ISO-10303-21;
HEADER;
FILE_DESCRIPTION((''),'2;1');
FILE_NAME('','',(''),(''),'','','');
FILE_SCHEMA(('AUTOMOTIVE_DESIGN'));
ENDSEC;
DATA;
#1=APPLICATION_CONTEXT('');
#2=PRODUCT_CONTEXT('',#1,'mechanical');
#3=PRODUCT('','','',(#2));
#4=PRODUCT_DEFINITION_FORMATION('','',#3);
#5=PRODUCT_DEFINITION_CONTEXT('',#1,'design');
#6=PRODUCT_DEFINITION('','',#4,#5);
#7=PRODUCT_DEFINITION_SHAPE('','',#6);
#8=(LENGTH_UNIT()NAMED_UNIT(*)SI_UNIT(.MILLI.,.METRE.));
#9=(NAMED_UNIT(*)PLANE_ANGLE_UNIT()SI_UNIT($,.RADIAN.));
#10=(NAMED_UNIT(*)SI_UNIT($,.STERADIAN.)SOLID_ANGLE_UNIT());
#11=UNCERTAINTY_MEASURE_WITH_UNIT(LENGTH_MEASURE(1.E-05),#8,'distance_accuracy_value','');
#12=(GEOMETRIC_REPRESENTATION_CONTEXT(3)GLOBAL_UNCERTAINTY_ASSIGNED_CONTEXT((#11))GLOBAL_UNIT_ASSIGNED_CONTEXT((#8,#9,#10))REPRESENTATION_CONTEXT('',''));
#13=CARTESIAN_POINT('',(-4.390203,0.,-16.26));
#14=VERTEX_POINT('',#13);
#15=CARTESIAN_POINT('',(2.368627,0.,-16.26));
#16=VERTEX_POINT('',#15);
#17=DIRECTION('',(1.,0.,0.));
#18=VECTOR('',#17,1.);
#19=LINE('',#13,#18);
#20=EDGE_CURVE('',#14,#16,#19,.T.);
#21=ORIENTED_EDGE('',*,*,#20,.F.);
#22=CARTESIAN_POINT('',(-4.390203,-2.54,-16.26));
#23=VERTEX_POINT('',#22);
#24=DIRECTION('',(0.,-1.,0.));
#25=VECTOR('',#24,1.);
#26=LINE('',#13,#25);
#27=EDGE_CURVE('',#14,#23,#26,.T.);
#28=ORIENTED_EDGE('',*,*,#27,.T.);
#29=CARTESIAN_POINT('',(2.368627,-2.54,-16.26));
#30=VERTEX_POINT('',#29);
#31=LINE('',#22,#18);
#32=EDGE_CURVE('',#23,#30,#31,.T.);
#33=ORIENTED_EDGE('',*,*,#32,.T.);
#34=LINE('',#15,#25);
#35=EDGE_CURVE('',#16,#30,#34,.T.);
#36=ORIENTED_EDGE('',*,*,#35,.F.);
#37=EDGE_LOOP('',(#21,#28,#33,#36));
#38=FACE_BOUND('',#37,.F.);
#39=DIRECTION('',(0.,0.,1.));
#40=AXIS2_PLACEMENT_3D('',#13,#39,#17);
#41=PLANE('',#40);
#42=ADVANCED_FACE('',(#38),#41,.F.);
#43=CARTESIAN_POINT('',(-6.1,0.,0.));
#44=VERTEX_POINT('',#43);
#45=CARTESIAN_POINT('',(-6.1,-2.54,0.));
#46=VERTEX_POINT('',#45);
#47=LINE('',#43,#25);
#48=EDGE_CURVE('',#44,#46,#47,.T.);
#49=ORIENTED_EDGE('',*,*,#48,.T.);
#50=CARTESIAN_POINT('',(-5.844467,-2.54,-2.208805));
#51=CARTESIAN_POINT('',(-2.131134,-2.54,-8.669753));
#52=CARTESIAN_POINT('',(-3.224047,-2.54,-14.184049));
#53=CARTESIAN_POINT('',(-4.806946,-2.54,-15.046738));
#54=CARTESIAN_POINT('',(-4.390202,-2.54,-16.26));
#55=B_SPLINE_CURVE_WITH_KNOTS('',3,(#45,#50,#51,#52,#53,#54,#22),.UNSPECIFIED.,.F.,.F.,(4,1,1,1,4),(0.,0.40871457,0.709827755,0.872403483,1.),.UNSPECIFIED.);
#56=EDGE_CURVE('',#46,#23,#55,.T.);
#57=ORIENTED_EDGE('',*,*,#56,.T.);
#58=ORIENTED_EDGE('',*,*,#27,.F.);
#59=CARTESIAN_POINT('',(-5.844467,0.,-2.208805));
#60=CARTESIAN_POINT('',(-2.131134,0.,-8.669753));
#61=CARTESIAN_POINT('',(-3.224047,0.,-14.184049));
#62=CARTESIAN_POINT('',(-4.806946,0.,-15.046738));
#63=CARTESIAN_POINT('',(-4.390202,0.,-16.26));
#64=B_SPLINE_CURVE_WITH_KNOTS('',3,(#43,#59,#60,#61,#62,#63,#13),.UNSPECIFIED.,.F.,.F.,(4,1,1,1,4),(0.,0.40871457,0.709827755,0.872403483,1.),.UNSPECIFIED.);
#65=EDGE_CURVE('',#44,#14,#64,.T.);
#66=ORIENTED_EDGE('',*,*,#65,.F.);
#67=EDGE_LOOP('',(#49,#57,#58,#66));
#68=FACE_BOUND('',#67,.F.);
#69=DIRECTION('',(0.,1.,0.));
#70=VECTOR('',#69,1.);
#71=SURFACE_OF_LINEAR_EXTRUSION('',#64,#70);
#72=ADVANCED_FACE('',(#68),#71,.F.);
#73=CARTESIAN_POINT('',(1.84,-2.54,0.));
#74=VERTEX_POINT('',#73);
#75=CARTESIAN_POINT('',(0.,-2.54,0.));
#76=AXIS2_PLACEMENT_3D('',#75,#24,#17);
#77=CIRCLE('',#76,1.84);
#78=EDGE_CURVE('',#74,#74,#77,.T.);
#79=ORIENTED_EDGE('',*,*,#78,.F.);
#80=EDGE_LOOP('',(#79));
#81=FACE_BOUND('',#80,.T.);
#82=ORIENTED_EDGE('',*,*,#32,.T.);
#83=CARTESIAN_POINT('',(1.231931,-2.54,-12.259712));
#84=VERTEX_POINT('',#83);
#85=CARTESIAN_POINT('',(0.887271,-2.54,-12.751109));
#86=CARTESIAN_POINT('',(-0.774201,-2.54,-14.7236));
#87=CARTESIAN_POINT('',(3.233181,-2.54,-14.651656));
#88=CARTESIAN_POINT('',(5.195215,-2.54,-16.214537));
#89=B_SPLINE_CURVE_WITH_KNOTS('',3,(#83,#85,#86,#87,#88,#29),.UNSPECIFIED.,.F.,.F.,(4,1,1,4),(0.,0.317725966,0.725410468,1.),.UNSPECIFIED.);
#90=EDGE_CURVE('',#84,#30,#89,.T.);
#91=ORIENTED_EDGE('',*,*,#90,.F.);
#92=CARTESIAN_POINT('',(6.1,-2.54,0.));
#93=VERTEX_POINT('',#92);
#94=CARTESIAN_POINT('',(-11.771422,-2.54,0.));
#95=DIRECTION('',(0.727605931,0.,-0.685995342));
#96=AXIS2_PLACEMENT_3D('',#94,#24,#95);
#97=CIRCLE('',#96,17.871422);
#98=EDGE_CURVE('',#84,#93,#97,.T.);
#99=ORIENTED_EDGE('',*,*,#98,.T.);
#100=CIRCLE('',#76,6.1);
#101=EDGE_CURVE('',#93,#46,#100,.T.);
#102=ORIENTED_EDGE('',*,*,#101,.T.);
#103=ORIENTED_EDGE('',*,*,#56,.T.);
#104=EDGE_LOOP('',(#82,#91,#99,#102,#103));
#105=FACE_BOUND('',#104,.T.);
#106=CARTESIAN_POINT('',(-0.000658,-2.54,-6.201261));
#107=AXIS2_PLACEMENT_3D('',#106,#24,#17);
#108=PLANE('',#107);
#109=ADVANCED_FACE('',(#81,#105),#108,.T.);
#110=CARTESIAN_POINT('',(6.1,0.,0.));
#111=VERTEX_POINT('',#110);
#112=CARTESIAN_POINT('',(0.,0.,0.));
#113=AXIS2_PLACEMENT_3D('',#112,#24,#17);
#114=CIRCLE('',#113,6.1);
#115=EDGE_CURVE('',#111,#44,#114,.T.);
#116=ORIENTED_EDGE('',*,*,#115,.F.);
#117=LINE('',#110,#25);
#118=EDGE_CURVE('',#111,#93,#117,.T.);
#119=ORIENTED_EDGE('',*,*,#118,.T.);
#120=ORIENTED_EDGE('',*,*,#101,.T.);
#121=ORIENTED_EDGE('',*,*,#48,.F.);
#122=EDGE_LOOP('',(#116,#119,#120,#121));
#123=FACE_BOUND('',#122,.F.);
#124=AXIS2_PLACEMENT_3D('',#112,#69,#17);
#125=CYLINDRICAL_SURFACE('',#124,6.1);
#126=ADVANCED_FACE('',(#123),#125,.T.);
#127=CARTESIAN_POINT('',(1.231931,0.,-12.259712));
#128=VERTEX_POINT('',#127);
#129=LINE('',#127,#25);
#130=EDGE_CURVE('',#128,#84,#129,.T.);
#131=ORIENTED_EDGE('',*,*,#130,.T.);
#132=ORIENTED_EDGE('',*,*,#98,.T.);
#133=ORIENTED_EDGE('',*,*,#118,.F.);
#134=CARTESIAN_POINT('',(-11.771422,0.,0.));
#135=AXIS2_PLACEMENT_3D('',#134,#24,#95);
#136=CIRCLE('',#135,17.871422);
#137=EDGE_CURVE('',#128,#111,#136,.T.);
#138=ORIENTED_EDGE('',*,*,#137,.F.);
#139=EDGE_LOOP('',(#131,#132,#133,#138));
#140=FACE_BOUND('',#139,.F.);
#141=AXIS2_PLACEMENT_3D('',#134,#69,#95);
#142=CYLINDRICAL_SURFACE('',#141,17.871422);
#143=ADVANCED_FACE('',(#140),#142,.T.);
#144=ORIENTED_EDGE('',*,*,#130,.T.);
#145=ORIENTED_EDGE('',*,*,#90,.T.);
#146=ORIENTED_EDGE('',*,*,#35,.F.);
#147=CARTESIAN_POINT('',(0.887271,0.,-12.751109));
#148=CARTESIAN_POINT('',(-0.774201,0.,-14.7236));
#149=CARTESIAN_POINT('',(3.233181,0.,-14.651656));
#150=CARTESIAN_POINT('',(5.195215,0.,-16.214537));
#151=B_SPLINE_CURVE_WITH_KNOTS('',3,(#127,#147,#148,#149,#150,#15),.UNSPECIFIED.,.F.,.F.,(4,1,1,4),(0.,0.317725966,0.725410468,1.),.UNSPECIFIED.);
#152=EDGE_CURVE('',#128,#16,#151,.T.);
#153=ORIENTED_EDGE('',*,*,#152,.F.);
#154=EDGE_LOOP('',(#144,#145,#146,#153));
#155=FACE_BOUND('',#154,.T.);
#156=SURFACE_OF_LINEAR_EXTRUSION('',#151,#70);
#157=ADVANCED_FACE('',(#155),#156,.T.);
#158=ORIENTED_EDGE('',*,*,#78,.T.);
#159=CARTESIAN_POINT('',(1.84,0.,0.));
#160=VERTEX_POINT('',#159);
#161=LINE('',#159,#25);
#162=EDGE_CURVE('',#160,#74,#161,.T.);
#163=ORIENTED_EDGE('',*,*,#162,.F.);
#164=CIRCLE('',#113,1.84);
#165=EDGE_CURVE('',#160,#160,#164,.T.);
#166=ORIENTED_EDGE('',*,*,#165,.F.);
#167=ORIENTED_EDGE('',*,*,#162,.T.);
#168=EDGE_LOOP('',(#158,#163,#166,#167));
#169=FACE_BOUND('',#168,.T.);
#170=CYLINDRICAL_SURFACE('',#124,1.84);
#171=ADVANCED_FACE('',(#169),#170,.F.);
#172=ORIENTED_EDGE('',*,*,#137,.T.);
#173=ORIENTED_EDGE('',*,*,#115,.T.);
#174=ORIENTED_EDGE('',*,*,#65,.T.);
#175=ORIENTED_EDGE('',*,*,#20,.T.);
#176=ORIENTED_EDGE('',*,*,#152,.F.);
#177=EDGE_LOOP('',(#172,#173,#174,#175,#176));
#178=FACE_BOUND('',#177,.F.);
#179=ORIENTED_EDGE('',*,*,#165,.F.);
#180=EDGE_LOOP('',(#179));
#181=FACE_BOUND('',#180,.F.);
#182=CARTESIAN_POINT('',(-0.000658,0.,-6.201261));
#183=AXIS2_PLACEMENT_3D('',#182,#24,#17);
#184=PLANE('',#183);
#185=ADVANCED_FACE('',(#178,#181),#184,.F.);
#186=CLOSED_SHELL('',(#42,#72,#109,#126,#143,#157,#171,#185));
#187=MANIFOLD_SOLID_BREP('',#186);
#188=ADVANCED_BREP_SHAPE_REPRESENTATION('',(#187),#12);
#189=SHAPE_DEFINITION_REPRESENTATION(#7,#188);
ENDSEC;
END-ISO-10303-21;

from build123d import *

# Parameters (mm, degrees)
F0_R     = 1.84
F1_DEPTH = 2.54


with BuildPart() as f1:
    # F0 (on Front) → F1 (new body)
    with BuildSketch(Plane.XZ):
        with BuildLine():
            ThreePointArc((1.2319305679, -12.2597124428), (4.838456469, -6.5954273776), (6.1, 0))
            ThreePointArc((6.1, 0), (0, 6.1), (-6.1, 0))
            add(Edge.make_bspline(
                [(-6.1, 0), (-5.8444667812, -2.2088047684), (-2.1311337131, -8.6697530505), (-3.2240470994, -14.1840492277), (-4.8069455536, -15.0467382321), (-4.3902020028, -16.26), (-4.3902026912, -16.26)],
                knots=[0, 0, 0, 0, 0.4087145702, 0.7098277547, 0.8724034833, 1, 1, 1, 1], degree=3))
            Line((-4.3902026912, -16.26), (2.3686271368, -16.26))
            add(Edge.make_bspline(
                [(1.2319305679, -12.2597124428), (0.8872710552, -12.751108876), (-0.7742010564, -14.7236002965), (3.2331807307, -14.6516562075), (5.1952149021, -16.2145374156), (2.3686271368, -16.26)],
                knots=[0, 0, 0, 0, 0.3177259663, 0.7254104678, 1, 1, 1, 1], degree=3))
        make_face()
        Circle(F0_R, mode=Mode.SUBTRACT)
    extrude(amount=F1_DEPTH)


solid = f1.part
